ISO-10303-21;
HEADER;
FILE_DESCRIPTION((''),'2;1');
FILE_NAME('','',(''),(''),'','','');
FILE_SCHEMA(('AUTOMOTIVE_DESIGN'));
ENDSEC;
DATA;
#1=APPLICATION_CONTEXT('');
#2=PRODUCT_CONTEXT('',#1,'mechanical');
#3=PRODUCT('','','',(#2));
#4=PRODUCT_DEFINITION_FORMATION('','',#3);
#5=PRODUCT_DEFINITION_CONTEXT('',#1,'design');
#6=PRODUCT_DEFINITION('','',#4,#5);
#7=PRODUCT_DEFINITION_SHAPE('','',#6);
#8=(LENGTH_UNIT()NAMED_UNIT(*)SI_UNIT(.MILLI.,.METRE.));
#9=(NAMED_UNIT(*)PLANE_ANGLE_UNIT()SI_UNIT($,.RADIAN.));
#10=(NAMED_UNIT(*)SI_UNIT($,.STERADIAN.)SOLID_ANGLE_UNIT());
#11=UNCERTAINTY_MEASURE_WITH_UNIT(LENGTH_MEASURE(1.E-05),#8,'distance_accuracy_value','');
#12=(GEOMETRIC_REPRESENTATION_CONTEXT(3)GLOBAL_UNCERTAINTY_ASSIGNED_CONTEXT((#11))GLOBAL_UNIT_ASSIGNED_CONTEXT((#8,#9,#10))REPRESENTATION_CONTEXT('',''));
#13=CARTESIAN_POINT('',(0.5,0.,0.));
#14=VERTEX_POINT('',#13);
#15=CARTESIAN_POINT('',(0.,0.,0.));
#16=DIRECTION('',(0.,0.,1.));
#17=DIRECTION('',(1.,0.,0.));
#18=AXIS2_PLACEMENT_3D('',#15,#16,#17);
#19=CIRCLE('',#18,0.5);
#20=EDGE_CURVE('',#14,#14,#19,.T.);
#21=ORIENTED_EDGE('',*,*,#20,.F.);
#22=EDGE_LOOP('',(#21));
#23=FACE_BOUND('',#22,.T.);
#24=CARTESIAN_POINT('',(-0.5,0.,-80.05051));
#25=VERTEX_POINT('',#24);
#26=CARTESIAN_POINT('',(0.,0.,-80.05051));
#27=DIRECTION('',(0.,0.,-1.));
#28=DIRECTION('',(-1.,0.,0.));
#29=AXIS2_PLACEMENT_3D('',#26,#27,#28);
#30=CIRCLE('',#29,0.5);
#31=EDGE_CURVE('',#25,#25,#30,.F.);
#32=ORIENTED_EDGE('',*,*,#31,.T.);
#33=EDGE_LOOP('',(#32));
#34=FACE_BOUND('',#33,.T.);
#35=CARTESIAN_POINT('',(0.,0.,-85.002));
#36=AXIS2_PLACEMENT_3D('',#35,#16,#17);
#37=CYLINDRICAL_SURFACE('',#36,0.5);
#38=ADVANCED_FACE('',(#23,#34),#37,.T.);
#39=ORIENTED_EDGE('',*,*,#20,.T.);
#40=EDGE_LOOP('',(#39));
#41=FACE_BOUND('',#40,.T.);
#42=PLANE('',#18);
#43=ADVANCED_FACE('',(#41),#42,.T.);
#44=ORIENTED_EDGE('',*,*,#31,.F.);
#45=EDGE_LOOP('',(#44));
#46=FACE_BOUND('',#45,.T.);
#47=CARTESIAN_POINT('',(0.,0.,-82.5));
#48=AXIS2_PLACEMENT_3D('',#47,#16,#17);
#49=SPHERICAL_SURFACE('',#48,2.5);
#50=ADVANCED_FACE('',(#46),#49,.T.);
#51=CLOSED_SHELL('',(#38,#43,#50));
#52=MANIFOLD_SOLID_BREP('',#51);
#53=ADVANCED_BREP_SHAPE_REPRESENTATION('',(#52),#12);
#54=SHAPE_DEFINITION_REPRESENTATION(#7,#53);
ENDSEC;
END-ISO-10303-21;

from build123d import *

# Parameters (mm, degrees)
RESSALTO_EXTRUS_O1_REACH      = 87.073
RESSALTO_EXTRUS_O1_END_RADIUS = 2.5
ESBO_O4_R                     = 0.5


with BuildPart() as part:
    # Esboço3 → Revolução1 (revolve)
    with BuildSketch(Plane(origin=(0, 0, 0), x_dir=(-1, 0, 0), z_dir=(0, 1, 0))):
        with BuildLine():
            Line((0, -80), (0, -85))
            ThreePointArc((0, -85), (2.5, -82.5), (0, -80))
        make_face()
    revolve(axis=Axis((0, 0, -80), (0, 0, -1)))

    # Ressalto-extrusão1: up to this sphere (the profile starts outside it)
    ressalto_extrus_o1_end = Location((0, 0, -82.5)) * Sphere(RESSALTO_EXTRUS_O1_END_RADIUS, mode=Mode.PRIVATE)
    # Esboço4 → Ressalto-extrusão1 (add, up to the surface)
    with BuildSketch(Plane(origin=(0, 0, 0), x_dir=(0, 1, 0), z_dir=(0, 0, 1)), mode=Mode.PRIVATE) as ressalto_extrus_o1_sk1:
        with Locations(Location((0, 0, 0), (0, 0, 270))):
            Circle(ESBO_O4_R)
    ressalto_extrus_o1_tool1 = extrude(ressalto_extrus_o1_sk1.sketch, amount=-RESSALTO_EXTRUS_O1_REACH, mode=Mode.PRIVATE) - ressalto_extrus_o1_end
    add(ressalto_extrus_o1_tool1.solids().sort_by_distance((0, 0, 0))[0])


solid = part.part
